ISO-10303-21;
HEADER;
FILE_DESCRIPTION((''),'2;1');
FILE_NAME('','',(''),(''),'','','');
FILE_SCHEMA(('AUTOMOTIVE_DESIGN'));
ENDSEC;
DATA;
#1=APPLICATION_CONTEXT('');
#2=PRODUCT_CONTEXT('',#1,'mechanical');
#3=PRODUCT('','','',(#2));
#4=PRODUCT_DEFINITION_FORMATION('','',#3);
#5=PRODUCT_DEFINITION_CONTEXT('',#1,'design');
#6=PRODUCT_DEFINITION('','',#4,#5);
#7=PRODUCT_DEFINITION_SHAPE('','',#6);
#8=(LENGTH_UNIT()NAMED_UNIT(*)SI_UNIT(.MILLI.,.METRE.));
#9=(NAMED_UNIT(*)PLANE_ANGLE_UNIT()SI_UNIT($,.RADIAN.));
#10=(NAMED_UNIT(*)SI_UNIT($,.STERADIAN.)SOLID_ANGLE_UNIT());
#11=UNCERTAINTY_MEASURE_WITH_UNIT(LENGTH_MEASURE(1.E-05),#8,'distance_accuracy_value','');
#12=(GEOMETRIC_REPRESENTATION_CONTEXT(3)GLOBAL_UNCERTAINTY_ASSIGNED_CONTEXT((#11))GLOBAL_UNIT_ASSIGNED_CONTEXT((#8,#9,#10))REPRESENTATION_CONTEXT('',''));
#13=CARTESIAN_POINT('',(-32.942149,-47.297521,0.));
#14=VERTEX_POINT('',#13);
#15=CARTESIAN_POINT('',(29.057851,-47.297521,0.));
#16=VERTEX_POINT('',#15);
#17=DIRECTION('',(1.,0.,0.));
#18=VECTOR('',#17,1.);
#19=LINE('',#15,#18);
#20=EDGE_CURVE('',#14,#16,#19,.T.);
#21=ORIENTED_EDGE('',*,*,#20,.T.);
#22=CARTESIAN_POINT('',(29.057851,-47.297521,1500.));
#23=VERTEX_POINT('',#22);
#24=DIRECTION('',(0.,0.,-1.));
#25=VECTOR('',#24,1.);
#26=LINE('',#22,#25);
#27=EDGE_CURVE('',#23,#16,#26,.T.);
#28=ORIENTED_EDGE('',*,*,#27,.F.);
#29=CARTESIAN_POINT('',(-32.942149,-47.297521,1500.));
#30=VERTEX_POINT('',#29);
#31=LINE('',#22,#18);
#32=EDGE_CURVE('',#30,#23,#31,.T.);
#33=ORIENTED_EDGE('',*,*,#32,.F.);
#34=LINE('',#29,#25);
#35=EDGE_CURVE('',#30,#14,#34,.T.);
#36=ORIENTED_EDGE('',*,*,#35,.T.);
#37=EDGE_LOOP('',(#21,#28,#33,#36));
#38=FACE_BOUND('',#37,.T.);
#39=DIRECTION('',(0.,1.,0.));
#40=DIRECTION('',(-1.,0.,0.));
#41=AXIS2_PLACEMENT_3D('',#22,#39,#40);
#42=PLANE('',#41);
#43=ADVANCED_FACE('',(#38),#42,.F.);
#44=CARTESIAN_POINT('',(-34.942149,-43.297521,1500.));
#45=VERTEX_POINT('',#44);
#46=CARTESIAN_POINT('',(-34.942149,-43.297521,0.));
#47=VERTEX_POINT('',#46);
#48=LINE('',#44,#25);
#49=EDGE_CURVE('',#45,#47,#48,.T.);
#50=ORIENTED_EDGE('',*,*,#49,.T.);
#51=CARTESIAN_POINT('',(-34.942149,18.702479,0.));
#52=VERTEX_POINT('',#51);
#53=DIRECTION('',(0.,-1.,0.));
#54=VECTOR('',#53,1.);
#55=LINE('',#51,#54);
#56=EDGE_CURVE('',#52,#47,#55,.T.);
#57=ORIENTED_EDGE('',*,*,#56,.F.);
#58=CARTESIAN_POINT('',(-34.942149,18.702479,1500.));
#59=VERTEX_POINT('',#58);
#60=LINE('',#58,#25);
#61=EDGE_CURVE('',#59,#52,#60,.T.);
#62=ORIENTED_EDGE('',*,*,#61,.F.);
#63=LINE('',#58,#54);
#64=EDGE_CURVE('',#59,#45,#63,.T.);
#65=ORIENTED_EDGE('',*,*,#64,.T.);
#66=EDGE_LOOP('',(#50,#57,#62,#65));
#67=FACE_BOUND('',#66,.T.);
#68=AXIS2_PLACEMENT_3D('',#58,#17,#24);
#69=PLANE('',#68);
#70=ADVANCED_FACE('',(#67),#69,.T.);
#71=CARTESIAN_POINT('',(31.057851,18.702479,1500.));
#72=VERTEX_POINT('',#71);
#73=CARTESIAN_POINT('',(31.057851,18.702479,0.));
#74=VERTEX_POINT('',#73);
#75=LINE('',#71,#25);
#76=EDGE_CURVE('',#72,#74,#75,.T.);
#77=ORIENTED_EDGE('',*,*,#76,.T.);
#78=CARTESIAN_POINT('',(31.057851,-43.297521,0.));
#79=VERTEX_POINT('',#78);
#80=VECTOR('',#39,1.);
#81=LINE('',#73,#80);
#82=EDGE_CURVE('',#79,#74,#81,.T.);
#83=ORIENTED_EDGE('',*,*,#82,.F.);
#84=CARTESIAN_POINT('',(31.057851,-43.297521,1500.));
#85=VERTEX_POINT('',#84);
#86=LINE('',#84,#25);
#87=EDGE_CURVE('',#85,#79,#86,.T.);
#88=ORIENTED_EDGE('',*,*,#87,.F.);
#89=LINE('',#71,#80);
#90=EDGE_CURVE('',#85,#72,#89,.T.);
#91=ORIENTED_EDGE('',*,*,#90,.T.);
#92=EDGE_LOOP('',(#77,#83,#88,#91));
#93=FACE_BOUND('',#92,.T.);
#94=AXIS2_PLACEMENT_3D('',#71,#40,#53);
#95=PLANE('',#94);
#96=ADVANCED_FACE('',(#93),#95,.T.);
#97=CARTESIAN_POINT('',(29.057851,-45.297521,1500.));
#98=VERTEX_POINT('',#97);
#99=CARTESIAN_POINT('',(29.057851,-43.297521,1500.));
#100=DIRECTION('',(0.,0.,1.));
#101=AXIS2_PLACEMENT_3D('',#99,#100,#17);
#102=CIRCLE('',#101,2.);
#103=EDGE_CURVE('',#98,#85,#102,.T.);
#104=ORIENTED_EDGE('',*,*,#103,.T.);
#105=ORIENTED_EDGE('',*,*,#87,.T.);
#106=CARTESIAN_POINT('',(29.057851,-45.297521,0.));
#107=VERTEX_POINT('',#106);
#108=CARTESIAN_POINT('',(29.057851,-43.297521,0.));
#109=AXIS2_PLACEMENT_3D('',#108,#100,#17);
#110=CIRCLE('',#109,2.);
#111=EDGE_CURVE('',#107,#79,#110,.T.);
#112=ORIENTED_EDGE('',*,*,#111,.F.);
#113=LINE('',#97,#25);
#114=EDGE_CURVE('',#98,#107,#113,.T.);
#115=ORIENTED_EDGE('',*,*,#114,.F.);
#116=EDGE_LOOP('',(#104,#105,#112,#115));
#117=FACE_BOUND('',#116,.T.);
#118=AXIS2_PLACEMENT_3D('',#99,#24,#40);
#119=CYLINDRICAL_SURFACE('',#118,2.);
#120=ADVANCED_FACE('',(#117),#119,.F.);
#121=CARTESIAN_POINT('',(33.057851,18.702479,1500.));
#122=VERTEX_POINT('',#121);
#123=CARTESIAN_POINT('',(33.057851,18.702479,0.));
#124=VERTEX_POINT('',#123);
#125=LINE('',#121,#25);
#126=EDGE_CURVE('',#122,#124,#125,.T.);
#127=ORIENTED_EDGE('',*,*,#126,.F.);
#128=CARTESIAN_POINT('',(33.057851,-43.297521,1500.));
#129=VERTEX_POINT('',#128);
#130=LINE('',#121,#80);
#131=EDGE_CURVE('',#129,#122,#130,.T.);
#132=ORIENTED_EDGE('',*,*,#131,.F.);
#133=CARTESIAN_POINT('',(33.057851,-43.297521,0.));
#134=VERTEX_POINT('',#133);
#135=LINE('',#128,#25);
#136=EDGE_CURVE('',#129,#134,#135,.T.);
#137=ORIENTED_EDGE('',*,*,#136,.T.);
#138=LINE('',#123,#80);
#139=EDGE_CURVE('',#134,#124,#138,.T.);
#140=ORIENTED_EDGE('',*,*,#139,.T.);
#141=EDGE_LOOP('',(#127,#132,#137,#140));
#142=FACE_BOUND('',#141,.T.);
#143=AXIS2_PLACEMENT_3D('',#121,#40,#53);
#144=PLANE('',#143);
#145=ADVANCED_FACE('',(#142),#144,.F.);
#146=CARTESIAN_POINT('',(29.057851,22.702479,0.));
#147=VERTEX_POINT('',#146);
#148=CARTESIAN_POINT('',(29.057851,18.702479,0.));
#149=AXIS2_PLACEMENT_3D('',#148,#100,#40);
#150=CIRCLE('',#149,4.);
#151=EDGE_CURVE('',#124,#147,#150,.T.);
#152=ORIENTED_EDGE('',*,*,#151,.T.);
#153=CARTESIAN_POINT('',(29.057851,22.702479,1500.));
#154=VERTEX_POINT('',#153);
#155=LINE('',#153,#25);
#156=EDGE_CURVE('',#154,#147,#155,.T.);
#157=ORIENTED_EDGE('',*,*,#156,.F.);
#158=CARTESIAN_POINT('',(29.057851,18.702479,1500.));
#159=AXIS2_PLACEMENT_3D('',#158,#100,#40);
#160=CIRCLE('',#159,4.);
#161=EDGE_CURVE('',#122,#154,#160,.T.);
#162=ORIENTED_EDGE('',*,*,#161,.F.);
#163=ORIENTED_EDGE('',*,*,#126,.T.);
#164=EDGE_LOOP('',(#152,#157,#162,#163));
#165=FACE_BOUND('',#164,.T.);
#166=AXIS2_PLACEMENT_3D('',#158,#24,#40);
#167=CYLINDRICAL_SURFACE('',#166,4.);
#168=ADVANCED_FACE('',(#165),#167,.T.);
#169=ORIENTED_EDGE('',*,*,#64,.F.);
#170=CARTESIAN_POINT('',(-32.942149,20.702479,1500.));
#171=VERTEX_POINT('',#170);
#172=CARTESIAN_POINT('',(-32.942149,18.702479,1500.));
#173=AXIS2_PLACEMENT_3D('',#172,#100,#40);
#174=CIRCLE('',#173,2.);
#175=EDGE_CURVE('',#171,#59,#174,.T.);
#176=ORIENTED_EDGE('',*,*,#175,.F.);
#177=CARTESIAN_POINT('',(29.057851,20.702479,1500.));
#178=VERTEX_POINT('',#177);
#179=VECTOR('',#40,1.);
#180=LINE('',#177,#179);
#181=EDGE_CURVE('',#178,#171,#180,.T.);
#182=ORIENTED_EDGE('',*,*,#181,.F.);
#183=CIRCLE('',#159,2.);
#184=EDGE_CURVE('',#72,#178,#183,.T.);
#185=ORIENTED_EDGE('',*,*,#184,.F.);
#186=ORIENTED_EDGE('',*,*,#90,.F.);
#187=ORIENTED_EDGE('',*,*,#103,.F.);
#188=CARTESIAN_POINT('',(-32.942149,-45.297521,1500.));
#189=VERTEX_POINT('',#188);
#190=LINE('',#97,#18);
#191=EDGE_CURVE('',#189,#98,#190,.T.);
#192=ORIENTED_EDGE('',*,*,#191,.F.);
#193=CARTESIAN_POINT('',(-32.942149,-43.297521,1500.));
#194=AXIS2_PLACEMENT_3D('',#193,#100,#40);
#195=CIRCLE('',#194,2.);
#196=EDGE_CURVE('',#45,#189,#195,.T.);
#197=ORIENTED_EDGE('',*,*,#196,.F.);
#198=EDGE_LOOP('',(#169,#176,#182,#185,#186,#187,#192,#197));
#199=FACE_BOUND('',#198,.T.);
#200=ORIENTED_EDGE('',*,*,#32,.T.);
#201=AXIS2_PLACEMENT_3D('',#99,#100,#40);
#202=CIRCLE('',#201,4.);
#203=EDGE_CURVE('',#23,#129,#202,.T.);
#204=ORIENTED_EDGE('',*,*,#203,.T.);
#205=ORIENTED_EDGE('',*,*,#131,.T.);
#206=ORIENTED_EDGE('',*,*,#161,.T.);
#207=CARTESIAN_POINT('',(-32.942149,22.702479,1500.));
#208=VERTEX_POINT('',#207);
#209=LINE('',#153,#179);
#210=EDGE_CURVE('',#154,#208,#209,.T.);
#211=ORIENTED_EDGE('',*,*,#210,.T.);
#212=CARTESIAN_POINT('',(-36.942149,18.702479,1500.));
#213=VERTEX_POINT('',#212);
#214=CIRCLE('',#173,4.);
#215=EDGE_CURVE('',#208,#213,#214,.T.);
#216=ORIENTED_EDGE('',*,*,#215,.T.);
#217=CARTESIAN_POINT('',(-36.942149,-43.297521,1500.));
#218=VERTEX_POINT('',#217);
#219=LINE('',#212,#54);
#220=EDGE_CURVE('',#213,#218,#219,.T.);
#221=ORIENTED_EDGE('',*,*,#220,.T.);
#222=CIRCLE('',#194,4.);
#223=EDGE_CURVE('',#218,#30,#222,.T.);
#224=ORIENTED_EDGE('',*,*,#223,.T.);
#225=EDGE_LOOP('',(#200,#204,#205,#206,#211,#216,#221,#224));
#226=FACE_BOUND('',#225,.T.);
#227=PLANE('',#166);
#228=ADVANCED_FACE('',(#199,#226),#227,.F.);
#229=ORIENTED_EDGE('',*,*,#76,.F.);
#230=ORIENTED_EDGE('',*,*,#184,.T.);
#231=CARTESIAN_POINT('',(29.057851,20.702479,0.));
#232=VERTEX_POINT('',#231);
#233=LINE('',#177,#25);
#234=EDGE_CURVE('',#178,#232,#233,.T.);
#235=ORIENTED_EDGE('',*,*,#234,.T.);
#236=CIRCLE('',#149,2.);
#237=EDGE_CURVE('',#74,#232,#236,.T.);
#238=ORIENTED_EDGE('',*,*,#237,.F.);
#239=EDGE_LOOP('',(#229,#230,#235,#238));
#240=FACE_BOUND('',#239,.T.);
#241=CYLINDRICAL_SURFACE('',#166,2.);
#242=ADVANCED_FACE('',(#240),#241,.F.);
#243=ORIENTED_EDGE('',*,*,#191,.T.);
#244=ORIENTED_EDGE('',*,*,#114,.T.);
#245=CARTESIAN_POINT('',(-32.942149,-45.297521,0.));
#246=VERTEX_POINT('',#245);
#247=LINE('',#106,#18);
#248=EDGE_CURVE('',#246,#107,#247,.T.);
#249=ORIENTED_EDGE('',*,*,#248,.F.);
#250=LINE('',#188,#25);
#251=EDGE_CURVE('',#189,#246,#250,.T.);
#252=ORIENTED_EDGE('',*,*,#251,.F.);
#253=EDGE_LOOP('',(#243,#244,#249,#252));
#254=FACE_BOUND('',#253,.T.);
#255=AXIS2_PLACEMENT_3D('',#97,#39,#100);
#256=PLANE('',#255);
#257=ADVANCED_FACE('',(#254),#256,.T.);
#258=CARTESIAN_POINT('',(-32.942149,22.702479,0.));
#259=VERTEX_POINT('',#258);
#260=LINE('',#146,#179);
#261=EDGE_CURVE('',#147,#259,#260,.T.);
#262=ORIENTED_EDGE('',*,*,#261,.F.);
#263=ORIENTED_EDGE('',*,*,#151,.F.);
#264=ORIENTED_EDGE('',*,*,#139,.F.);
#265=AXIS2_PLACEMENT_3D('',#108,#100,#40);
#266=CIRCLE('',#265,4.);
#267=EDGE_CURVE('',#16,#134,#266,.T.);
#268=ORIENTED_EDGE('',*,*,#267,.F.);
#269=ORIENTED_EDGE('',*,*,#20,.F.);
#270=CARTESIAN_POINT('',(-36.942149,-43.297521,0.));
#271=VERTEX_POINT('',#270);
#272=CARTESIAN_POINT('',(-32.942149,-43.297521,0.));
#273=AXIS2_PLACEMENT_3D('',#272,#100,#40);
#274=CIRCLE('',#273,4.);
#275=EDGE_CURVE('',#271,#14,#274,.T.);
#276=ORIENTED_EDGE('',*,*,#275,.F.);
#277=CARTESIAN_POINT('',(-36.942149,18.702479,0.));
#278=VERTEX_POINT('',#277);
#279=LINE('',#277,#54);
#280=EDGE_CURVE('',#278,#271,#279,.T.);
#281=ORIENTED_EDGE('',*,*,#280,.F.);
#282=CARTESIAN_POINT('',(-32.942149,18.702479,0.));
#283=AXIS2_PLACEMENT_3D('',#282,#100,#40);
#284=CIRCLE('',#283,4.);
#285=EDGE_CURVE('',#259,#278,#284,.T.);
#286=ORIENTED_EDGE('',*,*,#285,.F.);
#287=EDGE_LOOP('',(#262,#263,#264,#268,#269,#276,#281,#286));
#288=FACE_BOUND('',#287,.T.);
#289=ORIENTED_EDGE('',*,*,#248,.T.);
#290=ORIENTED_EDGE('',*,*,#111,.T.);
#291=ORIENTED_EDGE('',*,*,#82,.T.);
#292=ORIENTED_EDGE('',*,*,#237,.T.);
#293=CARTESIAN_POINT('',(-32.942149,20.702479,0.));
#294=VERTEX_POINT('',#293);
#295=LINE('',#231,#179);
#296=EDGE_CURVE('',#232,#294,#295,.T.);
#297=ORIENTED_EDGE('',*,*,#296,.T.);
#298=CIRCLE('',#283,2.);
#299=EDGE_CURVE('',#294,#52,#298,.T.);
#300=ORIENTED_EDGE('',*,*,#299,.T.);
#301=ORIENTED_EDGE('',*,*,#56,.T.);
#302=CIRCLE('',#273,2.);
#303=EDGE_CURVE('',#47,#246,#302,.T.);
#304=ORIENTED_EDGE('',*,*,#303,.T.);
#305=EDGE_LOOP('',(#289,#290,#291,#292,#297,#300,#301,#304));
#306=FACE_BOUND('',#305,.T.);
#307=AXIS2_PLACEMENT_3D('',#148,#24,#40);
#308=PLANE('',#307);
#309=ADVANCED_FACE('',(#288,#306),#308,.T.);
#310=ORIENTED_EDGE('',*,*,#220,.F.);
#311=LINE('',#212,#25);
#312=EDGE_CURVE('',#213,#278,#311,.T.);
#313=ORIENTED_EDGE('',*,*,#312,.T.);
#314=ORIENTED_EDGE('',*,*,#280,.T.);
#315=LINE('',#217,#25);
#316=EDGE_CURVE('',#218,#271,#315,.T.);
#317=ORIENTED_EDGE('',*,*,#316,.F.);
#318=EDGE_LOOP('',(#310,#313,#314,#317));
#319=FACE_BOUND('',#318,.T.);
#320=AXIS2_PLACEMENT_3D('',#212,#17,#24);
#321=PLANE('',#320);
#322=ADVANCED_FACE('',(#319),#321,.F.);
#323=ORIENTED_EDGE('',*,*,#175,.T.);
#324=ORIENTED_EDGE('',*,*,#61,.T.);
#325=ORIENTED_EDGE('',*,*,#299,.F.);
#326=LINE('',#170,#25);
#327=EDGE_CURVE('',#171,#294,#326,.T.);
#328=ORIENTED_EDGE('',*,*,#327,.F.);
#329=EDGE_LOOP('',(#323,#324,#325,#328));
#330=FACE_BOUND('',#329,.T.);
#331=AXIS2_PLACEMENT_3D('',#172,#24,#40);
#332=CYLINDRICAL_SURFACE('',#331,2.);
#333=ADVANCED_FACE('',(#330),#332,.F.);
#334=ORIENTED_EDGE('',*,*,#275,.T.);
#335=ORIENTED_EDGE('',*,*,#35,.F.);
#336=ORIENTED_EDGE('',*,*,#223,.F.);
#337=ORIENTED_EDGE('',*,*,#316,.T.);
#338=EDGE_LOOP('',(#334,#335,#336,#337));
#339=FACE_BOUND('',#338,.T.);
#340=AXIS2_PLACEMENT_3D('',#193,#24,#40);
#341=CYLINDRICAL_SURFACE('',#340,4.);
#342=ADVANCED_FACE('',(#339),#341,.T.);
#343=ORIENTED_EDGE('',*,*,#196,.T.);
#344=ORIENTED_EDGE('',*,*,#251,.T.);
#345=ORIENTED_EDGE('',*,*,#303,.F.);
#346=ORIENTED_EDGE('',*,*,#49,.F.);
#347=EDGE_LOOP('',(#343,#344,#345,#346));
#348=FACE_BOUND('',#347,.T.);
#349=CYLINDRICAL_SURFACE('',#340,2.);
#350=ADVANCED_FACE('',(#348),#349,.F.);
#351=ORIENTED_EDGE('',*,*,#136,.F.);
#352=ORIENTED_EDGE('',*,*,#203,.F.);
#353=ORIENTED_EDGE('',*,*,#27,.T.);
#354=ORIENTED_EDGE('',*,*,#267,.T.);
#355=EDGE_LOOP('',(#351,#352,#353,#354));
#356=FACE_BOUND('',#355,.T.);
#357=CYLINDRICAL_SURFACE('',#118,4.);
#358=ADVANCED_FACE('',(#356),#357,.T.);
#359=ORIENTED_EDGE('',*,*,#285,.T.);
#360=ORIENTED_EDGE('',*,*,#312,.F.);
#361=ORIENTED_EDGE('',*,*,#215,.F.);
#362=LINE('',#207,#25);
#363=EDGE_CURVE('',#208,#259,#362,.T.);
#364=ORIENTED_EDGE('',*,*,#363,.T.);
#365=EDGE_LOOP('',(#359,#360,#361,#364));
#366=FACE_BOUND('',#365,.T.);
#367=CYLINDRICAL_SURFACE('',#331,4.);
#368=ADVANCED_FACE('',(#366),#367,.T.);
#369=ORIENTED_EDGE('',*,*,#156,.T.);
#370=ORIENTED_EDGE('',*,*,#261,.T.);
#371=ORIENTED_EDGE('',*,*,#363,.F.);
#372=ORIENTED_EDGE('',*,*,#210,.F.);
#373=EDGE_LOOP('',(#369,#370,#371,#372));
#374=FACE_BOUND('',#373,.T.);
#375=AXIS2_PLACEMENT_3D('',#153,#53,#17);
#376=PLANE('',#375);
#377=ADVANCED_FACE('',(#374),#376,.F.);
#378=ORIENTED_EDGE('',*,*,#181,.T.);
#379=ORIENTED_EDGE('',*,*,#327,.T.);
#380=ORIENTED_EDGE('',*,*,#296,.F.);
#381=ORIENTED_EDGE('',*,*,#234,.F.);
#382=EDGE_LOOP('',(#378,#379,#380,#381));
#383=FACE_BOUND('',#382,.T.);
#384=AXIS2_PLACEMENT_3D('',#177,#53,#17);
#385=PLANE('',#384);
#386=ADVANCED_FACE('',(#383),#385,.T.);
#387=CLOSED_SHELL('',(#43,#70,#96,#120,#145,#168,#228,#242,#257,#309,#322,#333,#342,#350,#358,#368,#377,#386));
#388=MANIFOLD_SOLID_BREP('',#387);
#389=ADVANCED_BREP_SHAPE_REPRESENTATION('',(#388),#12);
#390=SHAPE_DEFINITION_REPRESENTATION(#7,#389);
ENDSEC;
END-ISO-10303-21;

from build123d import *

# Parameters (mm, degrees)
BOSS_EXTRUDE1_DEPTH = 1500


with BuildPart() as part:
    # Sketch1 → Boss-Extrude1 (new body)
    with BuildSketch(Plane.XY):
        with BuildLine():
            Line((29.05785124, 22.702479339), (-32.94214876, 22.702479339))
            ThreePointArc((-32.94214876, 22.702479339), (-35.770575885, 21.530906464), (-36.94214876, 18.702479339))
            Line((-36.94214876, 18.702479339), (-36.94214876, -43.297520661))
            ThreePointArc((-36.94214876, -43.297520661), (-35.770575885, -46.125947786), (-32.94214876, -47.297520661))
            Line((-32.94214876, -47.297520661), (29.05785124, -47.297520661))
            ThreePointArc((29.05785124, -47.297520661), (31.886278364, -46.125947786), (33.05785124, -43.297520661))
            Line((33.05785124, -43.297520661), (33.05785124, 18.702479339))
            ThreePointArc((33.05785124, 18.702479339), (31.886278364, 21.530906464), (29.05785124, 22.702479339))
        make_face()
        with BuildLine():
            Line((29.05785124, 20.702479339), (-32.94214876, 20.702479339))
            ThreePointArc((-32.94214876, 20.702479339), (-34.356362323, 20.116692901), (-34.94214876, 18.702479339))
            Line((-34.94214876, 18.702479339), (-34.94214876, -43.297520661))
            ThreePointArc((-34.94214876, -43.297520661), (-34.356362323, -44.711734224), (-32.94214876, -45.297520661))
            Line((-32.94214876, -45.297520661), (29.05785124, -45.297520661))
            ThreePointArc((29.05785124, -45.297520661), (30.472064802, -44.711734224), (31.05785124, -43.297520661))
            Line((31.05785124, -43.297520661), (31.05785124, 18.702479339))
            ThreePointArc((31.05785124, 18.702479339), (30.472064802, 20.116692901), (29.05785124, 20.702479339))
        make_face(mode=Mode.SUBTRACT)
    extrude(amount=BOSS_EXTRUDE1_DEPTH)


solid = part.part
